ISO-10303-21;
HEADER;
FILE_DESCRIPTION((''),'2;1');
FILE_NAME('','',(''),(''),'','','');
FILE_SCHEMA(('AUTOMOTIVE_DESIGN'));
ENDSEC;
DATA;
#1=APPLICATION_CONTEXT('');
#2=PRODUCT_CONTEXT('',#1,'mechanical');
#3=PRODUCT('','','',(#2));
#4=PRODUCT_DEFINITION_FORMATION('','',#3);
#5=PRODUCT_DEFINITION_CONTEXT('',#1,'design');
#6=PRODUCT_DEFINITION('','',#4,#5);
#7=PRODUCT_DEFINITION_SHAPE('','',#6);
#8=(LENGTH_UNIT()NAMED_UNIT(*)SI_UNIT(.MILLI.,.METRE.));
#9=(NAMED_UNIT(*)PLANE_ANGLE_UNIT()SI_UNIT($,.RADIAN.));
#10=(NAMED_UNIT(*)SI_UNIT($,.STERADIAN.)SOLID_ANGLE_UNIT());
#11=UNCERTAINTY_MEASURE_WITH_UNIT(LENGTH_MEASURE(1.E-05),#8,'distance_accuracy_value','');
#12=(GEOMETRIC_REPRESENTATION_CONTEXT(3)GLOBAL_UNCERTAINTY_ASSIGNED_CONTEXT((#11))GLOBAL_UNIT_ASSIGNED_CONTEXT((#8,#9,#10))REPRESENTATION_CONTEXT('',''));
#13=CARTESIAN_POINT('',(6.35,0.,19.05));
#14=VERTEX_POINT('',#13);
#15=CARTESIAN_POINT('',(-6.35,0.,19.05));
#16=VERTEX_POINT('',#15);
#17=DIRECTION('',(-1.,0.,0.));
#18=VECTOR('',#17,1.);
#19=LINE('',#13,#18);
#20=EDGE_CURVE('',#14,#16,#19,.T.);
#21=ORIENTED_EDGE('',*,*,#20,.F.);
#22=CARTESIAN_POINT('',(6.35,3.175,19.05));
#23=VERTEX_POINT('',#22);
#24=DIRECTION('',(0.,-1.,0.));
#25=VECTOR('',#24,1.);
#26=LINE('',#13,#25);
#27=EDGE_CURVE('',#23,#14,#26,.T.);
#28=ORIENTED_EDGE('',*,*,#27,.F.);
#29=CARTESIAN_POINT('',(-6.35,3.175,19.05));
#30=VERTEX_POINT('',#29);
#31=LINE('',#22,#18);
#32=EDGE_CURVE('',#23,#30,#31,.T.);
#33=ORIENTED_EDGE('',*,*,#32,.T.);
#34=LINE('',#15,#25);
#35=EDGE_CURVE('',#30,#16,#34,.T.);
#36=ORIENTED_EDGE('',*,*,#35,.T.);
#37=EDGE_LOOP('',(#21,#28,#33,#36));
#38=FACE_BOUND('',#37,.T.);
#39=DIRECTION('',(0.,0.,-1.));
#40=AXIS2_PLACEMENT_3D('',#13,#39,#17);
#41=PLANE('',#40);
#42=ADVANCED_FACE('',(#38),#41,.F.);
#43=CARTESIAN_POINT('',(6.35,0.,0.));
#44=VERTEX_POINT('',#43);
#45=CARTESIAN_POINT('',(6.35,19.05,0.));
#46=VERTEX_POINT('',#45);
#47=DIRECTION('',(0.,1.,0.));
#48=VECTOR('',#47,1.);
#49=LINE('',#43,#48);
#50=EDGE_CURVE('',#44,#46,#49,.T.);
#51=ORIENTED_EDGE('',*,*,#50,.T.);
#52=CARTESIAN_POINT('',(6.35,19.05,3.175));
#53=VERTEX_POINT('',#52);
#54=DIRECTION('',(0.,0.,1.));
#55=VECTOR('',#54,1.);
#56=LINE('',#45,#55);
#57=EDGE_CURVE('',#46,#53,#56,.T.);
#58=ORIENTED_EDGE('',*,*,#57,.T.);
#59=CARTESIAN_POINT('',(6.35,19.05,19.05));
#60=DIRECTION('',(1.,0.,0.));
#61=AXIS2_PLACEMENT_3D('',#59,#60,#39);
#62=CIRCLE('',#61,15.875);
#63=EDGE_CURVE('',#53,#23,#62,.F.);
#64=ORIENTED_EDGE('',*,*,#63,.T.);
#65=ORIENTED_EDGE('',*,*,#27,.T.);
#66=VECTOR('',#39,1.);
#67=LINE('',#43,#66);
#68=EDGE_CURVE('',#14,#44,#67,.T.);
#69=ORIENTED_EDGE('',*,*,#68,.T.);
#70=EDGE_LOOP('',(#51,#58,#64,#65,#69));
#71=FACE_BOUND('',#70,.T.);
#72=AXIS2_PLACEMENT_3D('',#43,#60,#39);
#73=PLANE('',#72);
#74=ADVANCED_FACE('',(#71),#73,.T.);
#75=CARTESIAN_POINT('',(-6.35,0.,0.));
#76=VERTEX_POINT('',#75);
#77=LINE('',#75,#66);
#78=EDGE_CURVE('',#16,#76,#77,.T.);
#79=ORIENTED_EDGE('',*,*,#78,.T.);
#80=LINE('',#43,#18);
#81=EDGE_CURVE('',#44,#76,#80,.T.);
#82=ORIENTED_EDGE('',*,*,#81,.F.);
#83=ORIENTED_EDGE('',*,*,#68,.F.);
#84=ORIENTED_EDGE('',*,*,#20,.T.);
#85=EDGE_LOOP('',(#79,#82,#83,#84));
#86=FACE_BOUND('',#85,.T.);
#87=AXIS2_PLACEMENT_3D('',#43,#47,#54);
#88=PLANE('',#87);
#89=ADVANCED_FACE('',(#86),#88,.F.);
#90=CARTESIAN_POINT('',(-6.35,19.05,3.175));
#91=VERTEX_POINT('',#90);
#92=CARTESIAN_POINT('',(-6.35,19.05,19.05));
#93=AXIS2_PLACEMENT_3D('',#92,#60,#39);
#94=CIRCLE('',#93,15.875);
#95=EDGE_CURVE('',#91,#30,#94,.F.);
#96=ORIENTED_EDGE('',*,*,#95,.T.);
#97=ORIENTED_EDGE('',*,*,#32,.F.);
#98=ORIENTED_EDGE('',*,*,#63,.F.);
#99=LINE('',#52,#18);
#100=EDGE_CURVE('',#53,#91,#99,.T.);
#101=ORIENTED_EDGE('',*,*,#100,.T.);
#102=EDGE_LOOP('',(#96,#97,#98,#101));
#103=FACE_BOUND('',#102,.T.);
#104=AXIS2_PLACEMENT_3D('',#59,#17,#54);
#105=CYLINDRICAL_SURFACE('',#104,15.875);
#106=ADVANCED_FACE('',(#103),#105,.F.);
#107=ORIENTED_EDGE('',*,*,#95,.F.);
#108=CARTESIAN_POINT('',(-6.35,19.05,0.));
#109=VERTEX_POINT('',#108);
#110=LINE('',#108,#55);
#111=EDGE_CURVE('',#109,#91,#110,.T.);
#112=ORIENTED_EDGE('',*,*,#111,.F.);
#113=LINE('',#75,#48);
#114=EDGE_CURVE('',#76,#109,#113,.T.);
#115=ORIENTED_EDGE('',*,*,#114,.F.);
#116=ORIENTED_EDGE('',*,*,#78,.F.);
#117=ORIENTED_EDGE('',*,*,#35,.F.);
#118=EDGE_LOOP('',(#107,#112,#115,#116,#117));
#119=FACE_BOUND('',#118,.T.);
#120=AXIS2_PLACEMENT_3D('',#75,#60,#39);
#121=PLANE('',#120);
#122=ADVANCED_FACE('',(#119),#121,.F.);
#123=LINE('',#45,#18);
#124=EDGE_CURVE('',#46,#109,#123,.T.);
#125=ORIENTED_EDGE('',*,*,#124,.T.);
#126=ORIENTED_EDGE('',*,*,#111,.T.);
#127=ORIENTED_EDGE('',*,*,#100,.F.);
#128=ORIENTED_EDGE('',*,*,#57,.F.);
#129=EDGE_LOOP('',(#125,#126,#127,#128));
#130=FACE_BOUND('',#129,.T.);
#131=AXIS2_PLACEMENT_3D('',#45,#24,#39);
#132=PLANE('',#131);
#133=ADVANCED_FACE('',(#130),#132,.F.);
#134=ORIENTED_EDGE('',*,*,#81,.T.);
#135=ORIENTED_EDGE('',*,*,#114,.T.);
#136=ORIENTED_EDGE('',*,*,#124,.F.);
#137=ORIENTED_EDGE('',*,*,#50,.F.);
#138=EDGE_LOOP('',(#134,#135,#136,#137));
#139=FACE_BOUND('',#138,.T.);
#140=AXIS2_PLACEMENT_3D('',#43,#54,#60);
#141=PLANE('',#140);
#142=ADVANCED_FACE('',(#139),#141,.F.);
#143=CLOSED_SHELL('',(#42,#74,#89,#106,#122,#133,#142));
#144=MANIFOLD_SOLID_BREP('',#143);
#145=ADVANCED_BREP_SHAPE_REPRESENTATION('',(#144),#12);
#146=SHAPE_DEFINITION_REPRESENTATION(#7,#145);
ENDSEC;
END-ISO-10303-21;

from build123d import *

# Parameters (mm, degrees)
BOSS_EXTRUDE1_DEPTH = 6.35


with BuildPart() as part:
    # Sketch1 → Boss-Extrude1 (new body, symmetric)
    with BuildSketch(Plane(origin=(0, 0, 0), x_dir=(0, 0, -1), z_dir=(1, 0, 0))):
        with BuildLine():
            Line((0, 19.05), (-3.175, 19.05))
            ThreePointArc((-3.175, 19.05), (-7.824679849, 7.824679849), (-19.05, 3.175))
            Line((-19.05, 3.175), (-19.05, 0))
            Line((-19.05, 0), (0, 0))
            Line((0, 0), (0, 19.05))
        make_face()
    extrude(amount=BOSS_EXTRUDE1_DEPTH, both=True)


solid = part.part
